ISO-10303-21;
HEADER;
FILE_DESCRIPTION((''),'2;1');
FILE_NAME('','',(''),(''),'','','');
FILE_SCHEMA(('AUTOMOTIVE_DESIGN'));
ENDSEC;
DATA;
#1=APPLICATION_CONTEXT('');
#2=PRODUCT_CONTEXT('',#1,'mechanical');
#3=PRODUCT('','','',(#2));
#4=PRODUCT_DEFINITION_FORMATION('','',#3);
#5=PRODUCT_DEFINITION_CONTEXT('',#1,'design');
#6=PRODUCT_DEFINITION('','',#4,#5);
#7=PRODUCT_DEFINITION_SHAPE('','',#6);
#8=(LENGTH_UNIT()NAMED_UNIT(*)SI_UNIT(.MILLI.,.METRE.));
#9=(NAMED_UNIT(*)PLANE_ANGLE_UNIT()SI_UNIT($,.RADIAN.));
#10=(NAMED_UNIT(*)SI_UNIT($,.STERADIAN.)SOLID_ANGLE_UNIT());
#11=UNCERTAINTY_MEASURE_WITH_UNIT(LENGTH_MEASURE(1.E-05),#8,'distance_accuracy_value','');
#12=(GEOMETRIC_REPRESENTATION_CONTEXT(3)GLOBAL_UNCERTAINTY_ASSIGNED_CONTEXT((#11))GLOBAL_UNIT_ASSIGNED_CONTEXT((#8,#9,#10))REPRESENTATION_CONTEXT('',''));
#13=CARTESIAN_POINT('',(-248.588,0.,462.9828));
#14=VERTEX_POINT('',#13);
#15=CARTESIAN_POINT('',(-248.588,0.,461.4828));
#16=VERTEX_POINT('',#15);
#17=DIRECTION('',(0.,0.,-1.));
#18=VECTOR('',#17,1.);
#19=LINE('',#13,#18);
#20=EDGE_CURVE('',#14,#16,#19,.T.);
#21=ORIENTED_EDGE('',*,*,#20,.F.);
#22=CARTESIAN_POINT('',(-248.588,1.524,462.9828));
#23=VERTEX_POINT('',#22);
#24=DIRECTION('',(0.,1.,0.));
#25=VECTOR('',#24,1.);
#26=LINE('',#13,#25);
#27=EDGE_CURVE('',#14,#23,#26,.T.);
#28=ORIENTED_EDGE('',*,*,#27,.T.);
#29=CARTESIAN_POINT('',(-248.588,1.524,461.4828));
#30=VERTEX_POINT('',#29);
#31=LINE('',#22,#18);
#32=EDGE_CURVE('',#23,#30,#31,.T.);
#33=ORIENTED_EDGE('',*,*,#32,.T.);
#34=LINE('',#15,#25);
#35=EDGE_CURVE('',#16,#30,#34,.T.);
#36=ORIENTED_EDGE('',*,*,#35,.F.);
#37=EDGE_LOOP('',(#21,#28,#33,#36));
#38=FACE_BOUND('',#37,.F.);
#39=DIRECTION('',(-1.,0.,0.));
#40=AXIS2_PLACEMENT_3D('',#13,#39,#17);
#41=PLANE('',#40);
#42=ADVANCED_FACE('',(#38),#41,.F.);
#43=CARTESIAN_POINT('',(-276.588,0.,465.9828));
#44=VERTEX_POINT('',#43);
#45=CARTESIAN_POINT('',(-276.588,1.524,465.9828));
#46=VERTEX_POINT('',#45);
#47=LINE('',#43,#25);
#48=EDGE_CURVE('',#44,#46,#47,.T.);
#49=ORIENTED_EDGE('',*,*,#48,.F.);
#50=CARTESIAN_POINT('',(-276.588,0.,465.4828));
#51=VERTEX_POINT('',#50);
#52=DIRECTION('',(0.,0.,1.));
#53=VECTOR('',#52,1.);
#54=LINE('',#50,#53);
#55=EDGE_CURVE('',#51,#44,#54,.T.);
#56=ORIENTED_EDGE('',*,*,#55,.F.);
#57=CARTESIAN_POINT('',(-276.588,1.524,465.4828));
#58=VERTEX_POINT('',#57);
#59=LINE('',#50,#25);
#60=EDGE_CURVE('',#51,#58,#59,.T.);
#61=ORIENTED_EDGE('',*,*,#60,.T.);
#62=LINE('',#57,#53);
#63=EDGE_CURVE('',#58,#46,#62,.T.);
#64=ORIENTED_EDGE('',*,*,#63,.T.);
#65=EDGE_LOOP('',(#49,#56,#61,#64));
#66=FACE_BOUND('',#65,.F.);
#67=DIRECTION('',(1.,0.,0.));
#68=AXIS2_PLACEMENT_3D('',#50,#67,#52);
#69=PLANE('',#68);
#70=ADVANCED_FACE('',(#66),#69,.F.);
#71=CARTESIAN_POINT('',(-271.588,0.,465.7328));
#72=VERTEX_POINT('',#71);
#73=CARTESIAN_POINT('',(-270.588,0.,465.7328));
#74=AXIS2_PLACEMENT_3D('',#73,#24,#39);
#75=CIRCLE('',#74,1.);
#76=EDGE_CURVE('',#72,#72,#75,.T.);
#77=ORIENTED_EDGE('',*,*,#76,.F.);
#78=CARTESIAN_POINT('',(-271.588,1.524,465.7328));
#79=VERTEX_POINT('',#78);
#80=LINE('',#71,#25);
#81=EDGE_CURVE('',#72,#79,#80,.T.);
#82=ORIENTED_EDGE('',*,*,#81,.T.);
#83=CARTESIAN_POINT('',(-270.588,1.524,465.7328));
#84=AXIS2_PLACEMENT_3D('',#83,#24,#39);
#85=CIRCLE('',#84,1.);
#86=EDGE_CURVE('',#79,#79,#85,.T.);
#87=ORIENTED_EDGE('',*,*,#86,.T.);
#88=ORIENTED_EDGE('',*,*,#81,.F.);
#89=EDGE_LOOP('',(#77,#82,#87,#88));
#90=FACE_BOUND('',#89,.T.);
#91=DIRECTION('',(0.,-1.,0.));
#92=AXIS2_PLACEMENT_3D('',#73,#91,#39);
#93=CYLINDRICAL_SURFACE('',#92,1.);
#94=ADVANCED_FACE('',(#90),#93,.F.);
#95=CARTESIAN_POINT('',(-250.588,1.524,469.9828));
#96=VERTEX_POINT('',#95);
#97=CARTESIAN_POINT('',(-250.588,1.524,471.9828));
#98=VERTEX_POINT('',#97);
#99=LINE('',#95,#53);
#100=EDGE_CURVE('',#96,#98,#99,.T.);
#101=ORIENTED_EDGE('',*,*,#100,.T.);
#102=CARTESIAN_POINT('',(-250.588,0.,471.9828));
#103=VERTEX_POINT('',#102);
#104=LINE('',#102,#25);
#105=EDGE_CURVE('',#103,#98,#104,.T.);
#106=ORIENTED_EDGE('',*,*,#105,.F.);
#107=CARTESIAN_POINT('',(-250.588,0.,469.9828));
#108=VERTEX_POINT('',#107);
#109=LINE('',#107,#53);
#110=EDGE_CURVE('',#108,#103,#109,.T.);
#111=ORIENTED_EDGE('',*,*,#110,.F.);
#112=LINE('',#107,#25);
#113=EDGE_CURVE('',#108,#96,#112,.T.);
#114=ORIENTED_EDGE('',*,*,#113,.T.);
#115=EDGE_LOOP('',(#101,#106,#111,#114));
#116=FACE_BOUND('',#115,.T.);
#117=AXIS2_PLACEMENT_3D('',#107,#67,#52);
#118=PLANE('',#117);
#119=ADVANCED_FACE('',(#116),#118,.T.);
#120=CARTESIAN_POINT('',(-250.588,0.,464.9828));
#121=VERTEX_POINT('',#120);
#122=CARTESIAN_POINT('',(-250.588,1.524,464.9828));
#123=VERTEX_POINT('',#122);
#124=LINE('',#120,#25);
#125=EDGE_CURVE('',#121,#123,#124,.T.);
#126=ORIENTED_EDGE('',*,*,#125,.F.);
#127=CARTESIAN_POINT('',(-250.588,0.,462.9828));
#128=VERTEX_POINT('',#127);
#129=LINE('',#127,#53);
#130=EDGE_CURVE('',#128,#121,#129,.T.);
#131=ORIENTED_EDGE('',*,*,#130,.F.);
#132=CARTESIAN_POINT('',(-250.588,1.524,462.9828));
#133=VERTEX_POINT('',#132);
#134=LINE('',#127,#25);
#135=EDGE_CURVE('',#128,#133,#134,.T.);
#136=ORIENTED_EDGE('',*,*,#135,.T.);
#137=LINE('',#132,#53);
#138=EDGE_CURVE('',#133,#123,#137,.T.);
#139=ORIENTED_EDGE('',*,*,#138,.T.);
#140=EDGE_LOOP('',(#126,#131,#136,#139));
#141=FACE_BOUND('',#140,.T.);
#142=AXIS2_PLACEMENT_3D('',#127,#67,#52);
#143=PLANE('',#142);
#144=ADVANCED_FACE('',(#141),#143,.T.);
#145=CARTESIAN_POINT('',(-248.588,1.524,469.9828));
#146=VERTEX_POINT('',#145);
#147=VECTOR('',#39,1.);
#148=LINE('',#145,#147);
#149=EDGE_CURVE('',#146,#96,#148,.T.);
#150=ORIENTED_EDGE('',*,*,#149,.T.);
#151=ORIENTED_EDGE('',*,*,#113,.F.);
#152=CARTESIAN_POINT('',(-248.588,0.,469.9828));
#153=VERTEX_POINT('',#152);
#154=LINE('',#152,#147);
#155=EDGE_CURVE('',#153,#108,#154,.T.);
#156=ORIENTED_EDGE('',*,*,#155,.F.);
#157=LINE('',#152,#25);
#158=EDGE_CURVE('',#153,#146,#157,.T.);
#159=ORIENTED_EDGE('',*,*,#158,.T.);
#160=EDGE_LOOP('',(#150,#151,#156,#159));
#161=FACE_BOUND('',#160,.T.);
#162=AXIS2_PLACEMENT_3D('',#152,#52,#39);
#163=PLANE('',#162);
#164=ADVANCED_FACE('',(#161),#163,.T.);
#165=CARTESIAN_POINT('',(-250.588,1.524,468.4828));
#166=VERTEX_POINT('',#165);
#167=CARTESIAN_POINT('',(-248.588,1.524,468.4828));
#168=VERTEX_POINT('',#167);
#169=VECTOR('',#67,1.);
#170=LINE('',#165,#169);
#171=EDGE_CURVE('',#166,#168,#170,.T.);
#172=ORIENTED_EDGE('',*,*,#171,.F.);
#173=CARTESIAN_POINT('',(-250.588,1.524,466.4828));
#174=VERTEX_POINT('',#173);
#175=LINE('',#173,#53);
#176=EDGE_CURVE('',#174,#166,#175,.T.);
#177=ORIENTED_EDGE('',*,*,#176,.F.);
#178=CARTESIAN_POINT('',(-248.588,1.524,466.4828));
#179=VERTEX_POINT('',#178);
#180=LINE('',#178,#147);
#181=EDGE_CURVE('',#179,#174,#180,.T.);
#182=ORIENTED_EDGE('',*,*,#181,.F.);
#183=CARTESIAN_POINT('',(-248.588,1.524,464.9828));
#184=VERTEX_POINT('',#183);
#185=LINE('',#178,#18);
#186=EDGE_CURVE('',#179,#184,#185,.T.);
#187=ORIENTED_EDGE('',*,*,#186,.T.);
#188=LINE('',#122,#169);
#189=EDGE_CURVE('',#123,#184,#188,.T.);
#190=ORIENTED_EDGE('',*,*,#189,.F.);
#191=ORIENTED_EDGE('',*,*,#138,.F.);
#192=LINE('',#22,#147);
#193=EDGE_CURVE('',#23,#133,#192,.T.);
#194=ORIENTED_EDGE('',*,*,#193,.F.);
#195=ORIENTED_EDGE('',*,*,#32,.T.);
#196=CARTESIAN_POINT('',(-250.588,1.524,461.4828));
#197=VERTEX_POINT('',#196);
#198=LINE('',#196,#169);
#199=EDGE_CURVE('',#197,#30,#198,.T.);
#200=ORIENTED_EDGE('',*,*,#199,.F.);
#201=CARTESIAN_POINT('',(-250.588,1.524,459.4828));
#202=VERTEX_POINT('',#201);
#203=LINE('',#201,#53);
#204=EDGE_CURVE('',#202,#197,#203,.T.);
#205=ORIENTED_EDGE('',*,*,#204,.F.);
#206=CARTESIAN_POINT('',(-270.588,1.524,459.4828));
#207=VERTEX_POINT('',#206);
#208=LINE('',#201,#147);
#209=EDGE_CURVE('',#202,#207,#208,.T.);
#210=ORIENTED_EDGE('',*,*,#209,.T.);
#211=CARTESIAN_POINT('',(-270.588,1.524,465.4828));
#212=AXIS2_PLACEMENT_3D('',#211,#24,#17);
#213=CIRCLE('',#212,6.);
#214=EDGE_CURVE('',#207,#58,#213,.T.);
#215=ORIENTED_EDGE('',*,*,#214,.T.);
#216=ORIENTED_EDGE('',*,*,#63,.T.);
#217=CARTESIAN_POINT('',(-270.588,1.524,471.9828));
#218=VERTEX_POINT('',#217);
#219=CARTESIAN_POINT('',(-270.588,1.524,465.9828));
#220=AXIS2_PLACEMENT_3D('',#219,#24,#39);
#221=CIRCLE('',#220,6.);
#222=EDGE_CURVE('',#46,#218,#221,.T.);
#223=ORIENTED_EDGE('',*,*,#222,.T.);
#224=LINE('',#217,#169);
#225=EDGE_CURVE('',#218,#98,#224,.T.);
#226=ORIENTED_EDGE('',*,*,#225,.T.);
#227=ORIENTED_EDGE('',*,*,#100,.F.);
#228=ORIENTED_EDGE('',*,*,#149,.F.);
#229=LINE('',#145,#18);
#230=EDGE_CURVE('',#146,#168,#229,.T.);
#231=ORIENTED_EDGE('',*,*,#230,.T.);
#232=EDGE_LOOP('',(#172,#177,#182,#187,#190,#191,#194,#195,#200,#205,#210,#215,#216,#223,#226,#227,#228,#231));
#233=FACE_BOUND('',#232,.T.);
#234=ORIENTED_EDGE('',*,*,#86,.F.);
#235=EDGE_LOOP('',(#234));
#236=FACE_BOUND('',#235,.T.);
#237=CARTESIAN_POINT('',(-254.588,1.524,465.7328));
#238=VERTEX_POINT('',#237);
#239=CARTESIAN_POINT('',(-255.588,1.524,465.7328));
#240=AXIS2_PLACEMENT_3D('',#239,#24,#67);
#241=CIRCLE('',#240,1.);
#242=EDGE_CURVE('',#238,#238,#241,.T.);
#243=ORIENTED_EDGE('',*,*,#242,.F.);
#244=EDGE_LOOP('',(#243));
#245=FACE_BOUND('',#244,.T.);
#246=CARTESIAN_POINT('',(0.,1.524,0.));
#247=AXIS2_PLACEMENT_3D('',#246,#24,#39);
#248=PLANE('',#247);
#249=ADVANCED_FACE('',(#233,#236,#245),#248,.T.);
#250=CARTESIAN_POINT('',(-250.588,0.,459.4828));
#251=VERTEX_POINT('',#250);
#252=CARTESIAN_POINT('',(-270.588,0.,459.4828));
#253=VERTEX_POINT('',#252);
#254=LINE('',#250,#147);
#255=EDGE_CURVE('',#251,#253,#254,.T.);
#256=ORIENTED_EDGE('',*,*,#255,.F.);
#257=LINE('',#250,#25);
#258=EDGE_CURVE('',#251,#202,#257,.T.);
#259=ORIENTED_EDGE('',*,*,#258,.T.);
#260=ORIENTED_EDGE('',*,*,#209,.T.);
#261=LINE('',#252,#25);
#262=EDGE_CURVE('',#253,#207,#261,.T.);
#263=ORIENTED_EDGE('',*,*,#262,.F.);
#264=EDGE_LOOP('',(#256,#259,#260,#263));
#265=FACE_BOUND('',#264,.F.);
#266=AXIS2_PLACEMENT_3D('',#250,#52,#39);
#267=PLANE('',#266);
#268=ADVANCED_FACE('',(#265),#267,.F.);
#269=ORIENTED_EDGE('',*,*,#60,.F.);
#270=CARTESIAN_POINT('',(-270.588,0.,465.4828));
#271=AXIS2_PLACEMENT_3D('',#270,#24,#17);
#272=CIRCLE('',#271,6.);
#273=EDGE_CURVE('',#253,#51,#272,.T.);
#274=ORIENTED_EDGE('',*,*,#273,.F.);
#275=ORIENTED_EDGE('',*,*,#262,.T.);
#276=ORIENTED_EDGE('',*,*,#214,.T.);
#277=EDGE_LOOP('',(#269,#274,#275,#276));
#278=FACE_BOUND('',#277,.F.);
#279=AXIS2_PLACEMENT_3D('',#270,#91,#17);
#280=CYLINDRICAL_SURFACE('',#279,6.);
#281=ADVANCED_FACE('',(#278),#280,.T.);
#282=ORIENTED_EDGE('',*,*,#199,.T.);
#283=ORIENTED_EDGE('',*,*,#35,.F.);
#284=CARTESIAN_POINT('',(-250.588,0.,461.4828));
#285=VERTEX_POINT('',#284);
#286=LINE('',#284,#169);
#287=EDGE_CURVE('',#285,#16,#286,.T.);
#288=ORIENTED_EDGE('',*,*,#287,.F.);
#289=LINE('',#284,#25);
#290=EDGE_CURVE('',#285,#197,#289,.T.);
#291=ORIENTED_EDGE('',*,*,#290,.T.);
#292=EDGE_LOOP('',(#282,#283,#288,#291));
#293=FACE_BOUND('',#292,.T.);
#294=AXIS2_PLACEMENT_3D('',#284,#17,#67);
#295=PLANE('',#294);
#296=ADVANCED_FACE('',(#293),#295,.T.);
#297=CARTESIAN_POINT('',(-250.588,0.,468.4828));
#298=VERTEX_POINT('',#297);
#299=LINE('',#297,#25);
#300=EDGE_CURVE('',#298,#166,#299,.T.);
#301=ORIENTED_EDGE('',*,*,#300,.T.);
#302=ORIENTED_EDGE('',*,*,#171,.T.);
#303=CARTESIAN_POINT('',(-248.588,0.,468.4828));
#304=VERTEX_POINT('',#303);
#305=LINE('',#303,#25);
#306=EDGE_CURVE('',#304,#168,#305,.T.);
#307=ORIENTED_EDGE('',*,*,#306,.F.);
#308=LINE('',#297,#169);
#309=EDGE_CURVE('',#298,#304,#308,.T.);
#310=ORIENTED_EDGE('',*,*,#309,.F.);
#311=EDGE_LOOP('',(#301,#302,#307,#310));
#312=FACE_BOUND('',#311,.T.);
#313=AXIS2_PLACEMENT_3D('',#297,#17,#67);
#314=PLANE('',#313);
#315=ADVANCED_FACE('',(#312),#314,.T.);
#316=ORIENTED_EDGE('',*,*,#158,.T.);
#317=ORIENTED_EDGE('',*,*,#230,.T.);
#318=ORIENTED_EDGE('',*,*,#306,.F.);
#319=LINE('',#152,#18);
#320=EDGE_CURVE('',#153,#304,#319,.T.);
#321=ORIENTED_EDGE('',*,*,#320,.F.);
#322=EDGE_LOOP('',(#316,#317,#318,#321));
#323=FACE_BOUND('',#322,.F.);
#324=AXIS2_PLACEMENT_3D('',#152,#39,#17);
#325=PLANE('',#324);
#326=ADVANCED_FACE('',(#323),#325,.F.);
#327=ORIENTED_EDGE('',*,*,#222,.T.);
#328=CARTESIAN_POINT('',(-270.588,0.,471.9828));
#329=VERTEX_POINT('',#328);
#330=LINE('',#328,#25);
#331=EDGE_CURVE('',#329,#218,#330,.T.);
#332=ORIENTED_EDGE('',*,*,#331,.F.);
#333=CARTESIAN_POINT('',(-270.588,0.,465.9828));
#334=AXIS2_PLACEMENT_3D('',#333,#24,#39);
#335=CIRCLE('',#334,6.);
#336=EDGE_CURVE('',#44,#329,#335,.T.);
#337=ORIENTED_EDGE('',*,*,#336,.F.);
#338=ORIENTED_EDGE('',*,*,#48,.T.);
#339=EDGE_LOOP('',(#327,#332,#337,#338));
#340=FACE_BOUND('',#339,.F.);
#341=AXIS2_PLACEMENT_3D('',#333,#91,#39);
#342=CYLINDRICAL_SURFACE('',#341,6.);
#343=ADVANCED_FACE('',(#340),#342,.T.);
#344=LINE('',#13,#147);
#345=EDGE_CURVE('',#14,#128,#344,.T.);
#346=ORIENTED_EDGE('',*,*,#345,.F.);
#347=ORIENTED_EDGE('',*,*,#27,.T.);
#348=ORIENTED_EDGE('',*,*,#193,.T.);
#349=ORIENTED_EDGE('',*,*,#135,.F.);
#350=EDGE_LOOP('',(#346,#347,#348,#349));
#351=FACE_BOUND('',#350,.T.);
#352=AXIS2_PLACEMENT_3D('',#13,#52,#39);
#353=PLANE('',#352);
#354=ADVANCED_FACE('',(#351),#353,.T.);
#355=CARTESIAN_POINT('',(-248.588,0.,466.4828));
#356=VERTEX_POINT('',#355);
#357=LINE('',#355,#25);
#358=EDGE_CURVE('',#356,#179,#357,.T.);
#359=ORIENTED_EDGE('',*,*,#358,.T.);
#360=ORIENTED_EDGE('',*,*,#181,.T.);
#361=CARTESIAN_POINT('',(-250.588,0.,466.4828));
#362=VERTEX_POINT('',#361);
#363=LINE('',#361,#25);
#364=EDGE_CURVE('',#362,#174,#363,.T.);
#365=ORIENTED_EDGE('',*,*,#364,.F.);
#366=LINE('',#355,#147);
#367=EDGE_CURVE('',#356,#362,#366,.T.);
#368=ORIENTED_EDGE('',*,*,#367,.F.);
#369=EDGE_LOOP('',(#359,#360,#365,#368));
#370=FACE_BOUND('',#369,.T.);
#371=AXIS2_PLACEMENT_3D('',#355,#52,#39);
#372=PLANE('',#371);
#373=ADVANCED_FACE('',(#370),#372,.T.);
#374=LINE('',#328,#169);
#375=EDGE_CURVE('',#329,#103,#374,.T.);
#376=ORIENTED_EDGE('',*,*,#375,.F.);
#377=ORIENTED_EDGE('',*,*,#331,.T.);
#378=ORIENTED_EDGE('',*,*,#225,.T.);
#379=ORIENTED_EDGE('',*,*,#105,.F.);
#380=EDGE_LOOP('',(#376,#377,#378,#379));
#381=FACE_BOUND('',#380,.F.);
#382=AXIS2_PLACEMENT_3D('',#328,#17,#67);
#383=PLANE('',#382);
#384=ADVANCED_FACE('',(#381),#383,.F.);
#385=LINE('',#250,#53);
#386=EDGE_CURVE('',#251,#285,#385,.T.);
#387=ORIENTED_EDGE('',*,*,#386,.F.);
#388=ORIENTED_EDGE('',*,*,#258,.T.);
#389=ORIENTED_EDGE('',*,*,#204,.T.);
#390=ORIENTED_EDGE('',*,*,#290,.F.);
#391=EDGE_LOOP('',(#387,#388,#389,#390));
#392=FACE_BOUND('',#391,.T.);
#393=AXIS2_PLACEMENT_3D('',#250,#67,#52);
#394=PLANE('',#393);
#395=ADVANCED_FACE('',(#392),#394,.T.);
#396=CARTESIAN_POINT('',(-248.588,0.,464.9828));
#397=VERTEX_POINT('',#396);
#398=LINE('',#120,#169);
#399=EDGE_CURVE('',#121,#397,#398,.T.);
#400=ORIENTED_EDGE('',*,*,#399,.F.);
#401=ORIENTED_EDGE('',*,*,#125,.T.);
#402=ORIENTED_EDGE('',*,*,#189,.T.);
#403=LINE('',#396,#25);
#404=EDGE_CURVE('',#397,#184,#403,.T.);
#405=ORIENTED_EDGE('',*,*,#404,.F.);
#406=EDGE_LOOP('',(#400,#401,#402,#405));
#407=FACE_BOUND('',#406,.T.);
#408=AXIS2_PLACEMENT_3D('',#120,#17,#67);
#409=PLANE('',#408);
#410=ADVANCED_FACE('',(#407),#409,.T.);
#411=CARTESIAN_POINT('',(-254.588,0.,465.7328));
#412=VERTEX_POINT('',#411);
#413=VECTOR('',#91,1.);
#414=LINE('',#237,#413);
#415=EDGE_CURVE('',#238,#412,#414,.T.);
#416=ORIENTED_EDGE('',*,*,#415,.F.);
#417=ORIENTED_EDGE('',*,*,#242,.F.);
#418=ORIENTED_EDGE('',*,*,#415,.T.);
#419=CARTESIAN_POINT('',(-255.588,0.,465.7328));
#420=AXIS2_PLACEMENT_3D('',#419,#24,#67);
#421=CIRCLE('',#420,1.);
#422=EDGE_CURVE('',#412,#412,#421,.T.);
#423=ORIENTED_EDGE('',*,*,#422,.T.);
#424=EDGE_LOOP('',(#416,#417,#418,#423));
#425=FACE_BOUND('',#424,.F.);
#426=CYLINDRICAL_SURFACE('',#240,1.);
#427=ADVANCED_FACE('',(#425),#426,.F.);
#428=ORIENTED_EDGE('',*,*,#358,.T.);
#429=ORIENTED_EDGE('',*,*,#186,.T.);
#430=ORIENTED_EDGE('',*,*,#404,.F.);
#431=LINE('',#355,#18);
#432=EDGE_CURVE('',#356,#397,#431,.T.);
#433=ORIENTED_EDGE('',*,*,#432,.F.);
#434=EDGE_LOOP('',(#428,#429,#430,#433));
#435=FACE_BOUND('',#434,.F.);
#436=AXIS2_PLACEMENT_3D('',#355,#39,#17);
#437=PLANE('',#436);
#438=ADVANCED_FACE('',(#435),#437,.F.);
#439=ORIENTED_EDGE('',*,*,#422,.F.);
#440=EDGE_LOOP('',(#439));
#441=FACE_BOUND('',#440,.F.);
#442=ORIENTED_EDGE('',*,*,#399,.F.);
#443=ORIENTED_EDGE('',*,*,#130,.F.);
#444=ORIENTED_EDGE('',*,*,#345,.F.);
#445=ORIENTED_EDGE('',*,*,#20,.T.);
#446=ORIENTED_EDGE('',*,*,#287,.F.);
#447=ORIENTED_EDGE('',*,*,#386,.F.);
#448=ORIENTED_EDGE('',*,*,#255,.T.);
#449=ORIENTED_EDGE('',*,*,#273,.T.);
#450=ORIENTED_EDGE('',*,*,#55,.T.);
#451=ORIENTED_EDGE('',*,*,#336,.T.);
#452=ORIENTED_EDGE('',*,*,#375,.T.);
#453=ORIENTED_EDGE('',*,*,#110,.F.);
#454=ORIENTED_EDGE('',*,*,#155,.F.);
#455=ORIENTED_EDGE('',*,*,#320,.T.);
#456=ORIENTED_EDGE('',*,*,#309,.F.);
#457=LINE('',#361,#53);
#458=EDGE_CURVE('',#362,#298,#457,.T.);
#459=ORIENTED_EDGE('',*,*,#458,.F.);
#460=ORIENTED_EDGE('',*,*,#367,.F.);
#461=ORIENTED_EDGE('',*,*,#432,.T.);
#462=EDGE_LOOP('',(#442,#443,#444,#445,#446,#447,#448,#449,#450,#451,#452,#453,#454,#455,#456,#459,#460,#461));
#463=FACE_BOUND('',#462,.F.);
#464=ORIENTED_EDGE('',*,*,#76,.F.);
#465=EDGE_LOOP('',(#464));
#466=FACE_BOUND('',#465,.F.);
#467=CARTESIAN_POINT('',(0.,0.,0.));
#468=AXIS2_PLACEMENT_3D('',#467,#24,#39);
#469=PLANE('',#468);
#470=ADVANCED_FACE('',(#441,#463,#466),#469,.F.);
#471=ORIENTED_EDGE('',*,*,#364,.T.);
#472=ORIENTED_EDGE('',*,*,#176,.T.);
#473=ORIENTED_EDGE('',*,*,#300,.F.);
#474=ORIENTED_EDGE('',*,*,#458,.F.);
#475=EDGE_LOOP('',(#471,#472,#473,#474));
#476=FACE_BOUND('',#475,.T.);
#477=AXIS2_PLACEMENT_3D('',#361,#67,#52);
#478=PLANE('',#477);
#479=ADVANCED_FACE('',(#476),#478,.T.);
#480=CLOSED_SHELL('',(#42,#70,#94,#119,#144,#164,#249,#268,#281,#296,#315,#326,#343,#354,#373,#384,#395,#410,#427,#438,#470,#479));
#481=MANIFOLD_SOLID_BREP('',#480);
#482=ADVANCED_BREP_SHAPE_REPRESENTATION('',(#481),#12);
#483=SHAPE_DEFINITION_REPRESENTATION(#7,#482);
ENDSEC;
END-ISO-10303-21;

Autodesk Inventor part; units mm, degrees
ref_plane "YZ Plane" through (0, 0, 0) normal (1, 0, 0) x (0, 1, 0)
ref_plane "XZ Plane" through (0, 0, 0) normal (0, 1, 0) x (-1, 0, 0)
ref_plane "XY Plane" through (0, 0, 0) normal (0, 0, 1) x (1, 0, 0)
sketch "Sketch1" plane through (0, 0, 0) normal (0, 1, 0) x (-1, 0, 0)
  line L0 (270.588, 471.9828) -> (250.588, 471.9828)
  line L1 (250.588, 459.4828) -> (270.588, 459.4828)
  line L2 (276.588, 465.4828) -> (276.588, 465.9828)
  arc A0 (276.588, 465.9828) -> (270.588, 471.9828) centre (270.588, 465.9828) ccw
  arc A1 (270.588, 459.4828) -> (276.588, 465.4828) centre (270.588, 465.4828) ccw
  circle A2 centre (270.588, 465.7328) radius 1
  line L3 (250.588, 459.4828) -> (250.588, 461.4828)
  line L4 (250.588, 461.4828) -> (248.588, 461.4828)
  line L5 (248.588, 462.9828) -> (250.588, 462.9828)
  line L6 (250.588, 462.9828) -> (250.588, 464.9828)
  line L7 (250.588, 464.9828) -> (248.588, 464.9828)
  line L8 (248.588, 466.4828) -> (250.588, 466.4828)
  line L9 (250.588, 466.4828) -> (250.588, 468.4828)
  line L10 (250.588, 468.4828) -> (248.588, 468.4828)
  line L11 (248.588, 462.9828) -> (248.588, 461.4828)
  line L12 (248.588, 469.9828) -> (248.588, 468.4828)
  line L13 (248.588, 466.4828) -> (248.588, 464.9828)
  line L14 (248.588, 469.9828) -> (250.588, 469.9828)
  line L15 (250.588, 469.9828) -> (250.588, 471.9828)
  point P0 (0, 0)
  point P1 (276.588, 471.9828)
  point P2 (276.588, 459.4828)
  dimension "d2" = 6
  dimension "d5" = 2
  dimension "d15" = 0
  dimension "d26" = 2
  dimension "d27" = 2
  dimension "d28" = 2
  dimension "d29" = 2
  dimension "d30" = 2
  dimension "d31" = 2
  dimension "d32" = 1.5
  dimension "d33" = 1.5
  dimension "d34" = 2
  dimension "d35" = 1.5
  dimension "d36" = 2
  dimension "d39" = 20
extrude "Extrusion7" add sketch "Sketch1" along normal blind 1.524
sketch "Sketch2" plane through (0, 1.524, 0) normal (0, 1, 0) x (1, 0, 0)
  circle A0 centre (-255.588, -465.7328) radius 1
  line L0 (-250.588, -459.4828) -> (-270.588, -459.4828) projected
  line L1 (-250.588, -461.4828) -> (-250.588, -459.4828) projected
  circle A1 centre (-270.588, -465.7328) radius 1 projected
  line L2 (-270.588, -471.9828) -> (-250.588, -471.9828) projected
  point P0 (0, 0)
  dimension "d40" = 2
  dimension "d43" = 15
  dimension "d44" = 6.25
extrude "Extrusion8" cut sketch "Sketch2" against normal blind 10 contours A0
properties part number "Connection4"
